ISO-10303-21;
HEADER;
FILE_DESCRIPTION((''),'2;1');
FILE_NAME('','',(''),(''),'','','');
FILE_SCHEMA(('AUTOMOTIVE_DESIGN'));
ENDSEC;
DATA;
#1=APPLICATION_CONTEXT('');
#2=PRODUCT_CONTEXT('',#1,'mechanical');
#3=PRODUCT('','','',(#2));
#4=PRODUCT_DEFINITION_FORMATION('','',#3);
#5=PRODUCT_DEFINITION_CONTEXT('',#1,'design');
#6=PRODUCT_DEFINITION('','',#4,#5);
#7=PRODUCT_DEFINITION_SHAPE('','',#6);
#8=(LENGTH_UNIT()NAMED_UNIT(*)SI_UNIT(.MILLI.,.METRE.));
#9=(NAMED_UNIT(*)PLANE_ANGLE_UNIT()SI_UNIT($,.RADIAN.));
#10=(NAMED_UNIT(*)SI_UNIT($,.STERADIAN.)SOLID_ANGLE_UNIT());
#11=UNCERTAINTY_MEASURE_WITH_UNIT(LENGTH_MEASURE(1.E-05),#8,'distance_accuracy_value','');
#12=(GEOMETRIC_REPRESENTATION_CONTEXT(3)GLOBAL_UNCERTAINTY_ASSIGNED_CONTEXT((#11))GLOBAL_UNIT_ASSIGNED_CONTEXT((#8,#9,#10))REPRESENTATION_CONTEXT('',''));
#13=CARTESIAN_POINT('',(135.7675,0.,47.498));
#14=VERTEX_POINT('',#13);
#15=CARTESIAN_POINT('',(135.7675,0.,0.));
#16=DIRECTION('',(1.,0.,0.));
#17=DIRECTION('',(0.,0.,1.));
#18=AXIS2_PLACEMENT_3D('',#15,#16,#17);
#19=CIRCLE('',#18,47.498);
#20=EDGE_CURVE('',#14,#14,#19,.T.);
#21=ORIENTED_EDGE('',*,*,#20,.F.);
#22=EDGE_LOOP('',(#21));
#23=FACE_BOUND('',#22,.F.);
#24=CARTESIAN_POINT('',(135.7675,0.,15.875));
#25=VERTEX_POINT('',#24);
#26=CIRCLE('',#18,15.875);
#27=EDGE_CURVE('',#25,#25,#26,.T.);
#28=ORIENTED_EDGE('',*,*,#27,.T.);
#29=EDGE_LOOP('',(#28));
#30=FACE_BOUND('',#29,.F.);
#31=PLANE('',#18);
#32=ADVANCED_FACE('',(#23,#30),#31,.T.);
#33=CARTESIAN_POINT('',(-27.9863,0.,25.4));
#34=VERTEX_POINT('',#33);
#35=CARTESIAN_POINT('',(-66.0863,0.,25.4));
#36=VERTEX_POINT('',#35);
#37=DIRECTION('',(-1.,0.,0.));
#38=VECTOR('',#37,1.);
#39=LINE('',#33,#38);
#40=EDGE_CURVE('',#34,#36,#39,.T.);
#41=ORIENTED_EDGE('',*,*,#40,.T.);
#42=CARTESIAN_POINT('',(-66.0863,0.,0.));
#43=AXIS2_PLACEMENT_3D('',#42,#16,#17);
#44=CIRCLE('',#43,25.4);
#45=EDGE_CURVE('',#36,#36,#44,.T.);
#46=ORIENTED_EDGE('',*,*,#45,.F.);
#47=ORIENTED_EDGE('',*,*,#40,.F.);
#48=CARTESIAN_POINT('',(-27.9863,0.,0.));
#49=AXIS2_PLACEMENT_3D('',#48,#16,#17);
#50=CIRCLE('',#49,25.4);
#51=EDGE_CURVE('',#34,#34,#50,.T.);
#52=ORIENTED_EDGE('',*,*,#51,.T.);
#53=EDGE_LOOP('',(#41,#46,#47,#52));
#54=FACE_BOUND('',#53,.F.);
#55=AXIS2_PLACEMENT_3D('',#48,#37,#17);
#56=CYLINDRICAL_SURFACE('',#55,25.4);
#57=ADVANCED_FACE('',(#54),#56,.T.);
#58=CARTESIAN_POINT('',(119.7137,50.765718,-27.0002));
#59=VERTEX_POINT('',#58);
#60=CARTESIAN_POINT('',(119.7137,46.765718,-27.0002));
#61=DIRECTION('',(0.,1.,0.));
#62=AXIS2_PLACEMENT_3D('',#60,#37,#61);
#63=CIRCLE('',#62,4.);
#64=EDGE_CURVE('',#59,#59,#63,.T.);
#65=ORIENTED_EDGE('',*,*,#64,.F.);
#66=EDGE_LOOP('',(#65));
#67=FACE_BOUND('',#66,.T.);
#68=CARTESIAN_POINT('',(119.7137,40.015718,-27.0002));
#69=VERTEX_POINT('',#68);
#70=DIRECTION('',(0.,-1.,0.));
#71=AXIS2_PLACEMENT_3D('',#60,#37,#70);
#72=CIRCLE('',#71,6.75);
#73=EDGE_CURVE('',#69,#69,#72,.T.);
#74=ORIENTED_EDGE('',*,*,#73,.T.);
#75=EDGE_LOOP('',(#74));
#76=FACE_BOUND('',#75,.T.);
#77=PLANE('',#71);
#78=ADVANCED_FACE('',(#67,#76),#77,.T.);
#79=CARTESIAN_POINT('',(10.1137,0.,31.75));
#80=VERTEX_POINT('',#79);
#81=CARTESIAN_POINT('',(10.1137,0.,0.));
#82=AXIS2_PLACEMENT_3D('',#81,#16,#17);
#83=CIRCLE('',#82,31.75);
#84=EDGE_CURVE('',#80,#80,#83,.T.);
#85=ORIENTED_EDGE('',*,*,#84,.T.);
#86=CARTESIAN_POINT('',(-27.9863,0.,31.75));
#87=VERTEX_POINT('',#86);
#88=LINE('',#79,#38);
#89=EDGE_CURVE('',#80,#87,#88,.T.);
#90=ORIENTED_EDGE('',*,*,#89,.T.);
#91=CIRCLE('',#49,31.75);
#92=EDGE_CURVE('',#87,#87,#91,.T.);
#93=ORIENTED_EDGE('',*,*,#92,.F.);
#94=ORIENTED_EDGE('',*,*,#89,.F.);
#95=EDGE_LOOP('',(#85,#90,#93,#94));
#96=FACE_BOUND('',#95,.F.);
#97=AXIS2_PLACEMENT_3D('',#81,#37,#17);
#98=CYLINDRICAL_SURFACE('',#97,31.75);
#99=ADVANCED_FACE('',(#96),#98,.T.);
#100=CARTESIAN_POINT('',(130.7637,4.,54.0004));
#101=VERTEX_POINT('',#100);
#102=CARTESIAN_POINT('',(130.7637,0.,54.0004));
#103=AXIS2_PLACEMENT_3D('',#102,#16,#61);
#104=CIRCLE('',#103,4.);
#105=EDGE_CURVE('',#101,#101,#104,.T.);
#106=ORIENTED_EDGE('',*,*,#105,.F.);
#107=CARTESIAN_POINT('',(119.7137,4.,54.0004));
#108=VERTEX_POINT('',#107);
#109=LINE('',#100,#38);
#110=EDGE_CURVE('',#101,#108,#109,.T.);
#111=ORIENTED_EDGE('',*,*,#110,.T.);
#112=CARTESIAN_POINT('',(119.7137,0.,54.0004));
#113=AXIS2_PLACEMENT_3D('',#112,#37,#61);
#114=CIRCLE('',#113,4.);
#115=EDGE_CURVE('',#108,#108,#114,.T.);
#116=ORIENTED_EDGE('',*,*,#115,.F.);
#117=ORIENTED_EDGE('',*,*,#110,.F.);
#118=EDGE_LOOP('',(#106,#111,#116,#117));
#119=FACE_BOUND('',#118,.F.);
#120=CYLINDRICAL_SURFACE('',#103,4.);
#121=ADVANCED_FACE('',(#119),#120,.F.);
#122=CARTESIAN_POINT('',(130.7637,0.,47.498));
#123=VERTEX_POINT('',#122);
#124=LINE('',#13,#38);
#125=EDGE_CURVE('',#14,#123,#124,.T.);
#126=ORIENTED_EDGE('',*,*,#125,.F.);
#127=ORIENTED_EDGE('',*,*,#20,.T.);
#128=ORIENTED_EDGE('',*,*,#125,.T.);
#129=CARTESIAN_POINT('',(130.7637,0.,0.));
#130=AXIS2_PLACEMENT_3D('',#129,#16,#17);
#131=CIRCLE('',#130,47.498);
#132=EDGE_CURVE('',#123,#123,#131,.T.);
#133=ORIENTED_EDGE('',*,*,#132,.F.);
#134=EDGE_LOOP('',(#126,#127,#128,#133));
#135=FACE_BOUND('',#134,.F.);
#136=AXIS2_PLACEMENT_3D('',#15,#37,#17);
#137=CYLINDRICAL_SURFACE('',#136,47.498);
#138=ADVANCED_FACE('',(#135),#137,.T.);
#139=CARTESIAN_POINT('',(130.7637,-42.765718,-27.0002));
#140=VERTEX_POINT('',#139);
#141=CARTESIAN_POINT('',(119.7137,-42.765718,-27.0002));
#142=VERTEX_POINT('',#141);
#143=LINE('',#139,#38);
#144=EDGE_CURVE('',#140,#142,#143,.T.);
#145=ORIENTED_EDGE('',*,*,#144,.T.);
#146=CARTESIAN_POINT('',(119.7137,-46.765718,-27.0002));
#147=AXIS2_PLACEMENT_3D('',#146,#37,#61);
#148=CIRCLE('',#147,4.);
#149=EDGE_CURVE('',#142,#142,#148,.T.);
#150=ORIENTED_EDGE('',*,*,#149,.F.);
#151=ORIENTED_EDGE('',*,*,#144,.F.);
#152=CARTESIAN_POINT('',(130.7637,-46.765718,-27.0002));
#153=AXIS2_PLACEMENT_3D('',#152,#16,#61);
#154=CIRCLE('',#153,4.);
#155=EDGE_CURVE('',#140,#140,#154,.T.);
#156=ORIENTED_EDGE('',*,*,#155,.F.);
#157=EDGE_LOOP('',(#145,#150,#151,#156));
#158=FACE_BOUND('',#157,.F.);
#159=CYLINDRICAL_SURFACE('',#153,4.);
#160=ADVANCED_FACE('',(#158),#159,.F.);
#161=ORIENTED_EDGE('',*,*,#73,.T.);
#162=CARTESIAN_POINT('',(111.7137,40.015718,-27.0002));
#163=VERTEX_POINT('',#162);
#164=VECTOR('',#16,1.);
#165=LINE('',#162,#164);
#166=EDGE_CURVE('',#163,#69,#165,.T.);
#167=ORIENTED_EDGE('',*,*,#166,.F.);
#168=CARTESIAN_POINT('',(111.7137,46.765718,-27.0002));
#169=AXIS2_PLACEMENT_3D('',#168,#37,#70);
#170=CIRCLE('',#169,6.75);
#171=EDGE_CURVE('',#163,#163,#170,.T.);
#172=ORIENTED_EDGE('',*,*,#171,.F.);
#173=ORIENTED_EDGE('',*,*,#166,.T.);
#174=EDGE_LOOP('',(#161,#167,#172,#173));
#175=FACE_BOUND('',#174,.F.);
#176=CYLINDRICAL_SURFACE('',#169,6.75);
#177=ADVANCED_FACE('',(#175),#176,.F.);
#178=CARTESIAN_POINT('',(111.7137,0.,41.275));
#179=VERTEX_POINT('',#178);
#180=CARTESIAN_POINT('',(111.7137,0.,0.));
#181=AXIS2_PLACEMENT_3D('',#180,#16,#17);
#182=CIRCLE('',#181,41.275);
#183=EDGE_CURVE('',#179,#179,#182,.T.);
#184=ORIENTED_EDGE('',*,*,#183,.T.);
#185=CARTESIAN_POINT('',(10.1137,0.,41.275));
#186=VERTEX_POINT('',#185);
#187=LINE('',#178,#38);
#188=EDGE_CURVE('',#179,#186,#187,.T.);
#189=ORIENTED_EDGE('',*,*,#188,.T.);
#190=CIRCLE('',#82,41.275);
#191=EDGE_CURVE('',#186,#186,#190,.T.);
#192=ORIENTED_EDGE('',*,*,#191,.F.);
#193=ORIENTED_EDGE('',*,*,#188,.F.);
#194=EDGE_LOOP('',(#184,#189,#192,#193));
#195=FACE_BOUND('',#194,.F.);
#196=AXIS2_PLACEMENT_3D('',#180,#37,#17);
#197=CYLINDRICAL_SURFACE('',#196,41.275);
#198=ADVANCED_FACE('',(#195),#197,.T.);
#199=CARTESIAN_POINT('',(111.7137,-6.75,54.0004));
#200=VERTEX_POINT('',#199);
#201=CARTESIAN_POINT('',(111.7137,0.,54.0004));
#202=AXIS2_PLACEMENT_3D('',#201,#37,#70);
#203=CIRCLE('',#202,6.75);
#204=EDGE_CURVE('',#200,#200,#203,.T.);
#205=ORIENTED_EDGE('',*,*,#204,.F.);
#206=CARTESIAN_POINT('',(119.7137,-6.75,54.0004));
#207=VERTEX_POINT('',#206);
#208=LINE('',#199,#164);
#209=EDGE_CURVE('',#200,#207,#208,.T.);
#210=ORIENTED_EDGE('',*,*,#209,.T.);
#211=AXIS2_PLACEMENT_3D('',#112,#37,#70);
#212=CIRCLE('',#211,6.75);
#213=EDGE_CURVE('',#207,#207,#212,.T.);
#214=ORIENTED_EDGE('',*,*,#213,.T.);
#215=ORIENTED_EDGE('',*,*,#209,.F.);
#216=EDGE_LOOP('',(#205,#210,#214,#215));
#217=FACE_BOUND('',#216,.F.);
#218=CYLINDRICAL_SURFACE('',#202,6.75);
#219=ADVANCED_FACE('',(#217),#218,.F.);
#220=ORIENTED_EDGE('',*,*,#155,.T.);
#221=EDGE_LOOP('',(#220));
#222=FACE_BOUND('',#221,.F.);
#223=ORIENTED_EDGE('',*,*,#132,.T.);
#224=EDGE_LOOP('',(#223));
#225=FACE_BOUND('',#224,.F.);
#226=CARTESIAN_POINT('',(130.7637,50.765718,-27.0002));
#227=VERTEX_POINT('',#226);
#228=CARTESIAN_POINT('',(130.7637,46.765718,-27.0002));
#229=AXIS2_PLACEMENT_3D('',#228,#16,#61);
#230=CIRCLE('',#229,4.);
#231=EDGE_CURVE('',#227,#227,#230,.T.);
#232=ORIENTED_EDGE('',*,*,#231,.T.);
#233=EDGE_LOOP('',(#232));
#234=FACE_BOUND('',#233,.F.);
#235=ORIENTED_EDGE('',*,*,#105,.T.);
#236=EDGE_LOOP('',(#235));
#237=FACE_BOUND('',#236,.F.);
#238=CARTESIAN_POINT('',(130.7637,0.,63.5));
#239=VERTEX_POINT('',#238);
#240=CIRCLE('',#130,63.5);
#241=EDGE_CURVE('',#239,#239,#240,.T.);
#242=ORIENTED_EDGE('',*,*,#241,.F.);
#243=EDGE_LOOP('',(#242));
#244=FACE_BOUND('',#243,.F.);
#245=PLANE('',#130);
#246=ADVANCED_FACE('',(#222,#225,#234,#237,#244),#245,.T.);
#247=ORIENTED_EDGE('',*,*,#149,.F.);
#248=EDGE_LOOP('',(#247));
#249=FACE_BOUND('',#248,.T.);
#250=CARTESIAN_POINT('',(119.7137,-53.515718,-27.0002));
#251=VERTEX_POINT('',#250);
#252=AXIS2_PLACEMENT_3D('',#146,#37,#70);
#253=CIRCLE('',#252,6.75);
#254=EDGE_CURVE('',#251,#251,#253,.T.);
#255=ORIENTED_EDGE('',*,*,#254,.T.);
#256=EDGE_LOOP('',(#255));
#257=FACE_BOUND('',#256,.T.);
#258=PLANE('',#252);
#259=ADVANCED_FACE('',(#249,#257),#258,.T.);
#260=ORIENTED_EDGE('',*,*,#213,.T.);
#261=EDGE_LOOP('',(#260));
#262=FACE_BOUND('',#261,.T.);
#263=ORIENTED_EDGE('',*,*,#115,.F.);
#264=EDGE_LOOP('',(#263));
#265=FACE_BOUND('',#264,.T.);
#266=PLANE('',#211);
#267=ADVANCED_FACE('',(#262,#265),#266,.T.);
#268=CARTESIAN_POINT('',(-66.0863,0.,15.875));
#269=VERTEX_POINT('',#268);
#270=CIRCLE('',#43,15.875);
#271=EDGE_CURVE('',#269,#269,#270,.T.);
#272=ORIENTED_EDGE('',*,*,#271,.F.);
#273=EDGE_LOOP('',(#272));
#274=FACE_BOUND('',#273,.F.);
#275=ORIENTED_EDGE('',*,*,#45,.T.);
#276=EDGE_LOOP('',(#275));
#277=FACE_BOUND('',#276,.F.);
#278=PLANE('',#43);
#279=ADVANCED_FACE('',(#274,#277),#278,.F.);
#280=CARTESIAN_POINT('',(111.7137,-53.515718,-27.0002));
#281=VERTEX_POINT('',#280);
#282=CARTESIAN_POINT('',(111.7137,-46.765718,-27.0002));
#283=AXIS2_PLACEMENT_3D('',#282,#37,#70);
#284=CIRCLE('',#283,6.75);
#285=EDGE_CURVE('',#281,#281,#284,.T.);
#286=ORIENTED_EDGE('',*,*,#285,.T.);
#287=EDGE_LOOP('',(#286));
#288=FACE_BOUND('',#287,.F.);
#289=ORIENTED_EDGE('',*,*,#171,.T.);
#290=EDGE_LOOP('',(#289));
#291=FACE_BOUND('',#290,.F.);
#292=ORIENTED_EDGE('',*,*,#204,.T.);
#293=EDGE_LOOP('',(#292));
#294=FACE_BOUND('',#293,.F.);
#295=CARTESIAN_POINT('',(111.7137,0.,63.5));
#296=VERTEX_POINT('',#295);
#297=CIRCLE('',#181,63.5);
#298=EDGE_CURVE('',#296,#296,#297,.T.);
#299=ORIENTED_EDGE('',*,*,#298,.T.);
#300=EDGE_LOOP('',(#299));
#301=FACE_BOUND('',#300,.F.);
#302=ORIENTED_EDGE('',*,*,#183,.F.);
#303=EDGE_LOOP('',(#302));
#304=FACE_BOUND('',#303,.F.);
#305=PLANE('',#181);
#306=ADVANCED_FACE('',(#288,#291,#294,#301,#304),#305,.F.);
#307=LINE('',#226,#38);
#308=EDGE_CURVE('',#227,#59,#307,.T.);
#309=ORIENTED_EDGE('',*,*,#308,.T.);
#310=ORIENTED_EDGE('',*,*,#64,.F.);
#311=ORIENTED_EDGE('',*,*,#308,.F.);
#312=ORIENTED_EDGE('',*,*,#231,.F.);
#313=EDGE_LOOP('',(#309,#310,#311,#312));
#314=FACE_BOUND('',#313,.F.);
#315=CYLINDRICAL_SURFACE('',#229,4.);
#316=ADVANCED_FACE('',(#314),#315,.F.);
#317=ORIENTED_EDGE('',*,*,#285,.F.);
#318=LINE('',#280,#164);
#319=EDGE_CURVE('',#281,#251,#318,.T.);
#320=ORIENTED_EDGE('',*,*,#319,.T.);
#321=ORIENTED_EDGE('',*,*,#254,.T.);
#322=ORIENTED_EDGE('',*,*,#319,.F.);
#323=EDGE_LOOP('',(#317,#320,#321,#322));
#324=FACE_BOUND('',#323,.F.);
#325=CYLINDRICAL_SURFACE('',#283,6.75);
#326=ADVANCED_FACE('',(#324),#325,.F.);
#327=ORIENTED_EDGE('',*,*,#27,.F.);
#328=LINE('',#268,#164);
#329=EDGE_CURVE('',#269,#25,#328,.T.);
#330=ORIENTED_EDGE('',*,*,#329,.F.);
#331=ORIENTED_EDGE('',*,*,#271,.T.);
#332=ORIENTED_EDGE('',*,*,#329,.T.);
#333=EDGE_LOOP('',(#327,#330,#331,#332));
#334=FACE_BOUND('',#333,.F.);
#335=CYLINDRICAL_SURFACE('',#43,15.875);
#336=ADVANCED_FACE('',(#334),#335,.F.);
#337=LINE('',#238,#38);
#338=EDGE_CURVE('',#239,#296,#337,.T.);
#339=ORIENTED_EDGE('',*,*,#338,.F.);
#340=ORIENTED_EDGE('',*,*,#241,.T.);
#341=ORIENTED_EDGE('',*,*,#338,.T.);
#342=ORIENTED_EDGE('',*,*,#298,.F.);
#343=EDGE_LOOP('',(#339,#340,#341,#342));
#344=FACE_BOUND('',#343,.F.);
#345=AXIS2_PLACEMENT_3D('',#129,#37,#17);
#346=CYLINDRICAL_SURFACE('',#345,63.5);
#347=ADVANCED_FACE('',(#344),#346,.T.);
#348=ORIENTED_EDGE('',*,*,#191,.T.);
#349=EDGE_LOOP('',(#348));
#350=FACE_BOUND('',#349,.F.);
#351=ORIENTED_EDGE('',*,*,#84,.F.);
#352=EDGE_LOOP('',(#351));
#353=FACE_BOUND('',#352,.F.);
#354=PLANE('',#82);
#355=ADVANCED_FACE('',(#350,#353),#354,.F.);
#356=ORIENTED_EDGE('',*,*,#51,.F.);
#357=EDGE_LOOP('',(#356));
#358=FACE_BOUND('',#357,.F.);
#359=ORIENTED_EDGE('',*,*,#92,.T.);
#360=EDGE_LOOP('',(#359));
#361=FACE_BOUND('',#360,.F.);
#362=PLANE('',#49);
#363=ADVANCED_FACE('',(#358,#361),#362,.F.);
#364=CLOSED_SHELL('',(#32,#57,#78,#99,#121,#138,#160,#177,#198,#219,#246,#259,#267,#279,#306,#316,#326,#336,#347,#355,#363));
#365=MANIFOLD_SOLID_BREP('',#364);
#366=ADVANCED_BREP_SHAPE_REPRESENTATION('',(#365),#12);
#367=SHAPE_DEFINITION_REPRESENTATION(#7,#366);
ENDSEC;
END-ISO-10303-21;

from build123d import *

# Parameters (mm, degrees)
F2_R     = 4
F3_DEPTH = 25.4
F4_R     = 6.75
F4_R_2   = 4
F5_DEPTH = 8


with BuildPart() as f1:
    # F0 (on Front) → F1 (revolve)
    with BuildSketch(Plane.XZ):
        Polygon((-47.183853, 15.875), (10.1137, 15.875), (130.7637, 15.875), (135.7675, 15.875), (135.7675, 47.498), (130.7637, 47.498), (130.7637, 63.5), (111.7137, 63.5), (111.7137, 41.275), (10.1137, 41.275), (10.1137, 31.75), (-27.9863, 31.75), (-27.9863, 25.4), (-66.0863, 25.4), (-66.0863, 15.875), align=None)
    revolve(axis=Axis((0.887014, 0, 0), (1, 0, 0)))

    # F2 (on face) → F3 (cut)
    with BuildSketch(Plane.YZ.offset(130.7637)):
        with Locations((0, 54.0004)):
            Circle(F2_R)
        with Locations((46.765718, -27.0002)):
            Circle(F2_R)
        with Locations((-46.765718, -27.0002)):
            Circle(F2_R)
    extrude(amount=-F3_DEPTH, mode=Mode.SUBTRACT)

    # F4 (on face) → F5 (cut)
    with BuildSketch(Plane(origin=(111.7137, 0, 0), x_dir=(0, -1, 0), z_dir=(-1, 0, 0))):
        with Locations((0, 54.0004)):
            Circle(F4_R)
        with Locations((0, 54.0004)):
            Circle(F4_R_2, mode=Mode.SUBTRACT)
        with Locations((46.765718, -27.0002)):
            Circle(F4_R)
        with Locations((46.765718, -27.0002)):
            Circle(F4_R_2, mode=Mode.SUBTRACT)
        with Locations((-46.765718, -27.0002)):
            Circle(F4_R)
        with Locations((-46.765718, -27.0002)):
            Circle(F4_R_2, mode=Mode.SUBTRACT)
    extrude(amount=-F5_DEPTH, mode=Mode.SUBTRACT)


solid = f1.part
